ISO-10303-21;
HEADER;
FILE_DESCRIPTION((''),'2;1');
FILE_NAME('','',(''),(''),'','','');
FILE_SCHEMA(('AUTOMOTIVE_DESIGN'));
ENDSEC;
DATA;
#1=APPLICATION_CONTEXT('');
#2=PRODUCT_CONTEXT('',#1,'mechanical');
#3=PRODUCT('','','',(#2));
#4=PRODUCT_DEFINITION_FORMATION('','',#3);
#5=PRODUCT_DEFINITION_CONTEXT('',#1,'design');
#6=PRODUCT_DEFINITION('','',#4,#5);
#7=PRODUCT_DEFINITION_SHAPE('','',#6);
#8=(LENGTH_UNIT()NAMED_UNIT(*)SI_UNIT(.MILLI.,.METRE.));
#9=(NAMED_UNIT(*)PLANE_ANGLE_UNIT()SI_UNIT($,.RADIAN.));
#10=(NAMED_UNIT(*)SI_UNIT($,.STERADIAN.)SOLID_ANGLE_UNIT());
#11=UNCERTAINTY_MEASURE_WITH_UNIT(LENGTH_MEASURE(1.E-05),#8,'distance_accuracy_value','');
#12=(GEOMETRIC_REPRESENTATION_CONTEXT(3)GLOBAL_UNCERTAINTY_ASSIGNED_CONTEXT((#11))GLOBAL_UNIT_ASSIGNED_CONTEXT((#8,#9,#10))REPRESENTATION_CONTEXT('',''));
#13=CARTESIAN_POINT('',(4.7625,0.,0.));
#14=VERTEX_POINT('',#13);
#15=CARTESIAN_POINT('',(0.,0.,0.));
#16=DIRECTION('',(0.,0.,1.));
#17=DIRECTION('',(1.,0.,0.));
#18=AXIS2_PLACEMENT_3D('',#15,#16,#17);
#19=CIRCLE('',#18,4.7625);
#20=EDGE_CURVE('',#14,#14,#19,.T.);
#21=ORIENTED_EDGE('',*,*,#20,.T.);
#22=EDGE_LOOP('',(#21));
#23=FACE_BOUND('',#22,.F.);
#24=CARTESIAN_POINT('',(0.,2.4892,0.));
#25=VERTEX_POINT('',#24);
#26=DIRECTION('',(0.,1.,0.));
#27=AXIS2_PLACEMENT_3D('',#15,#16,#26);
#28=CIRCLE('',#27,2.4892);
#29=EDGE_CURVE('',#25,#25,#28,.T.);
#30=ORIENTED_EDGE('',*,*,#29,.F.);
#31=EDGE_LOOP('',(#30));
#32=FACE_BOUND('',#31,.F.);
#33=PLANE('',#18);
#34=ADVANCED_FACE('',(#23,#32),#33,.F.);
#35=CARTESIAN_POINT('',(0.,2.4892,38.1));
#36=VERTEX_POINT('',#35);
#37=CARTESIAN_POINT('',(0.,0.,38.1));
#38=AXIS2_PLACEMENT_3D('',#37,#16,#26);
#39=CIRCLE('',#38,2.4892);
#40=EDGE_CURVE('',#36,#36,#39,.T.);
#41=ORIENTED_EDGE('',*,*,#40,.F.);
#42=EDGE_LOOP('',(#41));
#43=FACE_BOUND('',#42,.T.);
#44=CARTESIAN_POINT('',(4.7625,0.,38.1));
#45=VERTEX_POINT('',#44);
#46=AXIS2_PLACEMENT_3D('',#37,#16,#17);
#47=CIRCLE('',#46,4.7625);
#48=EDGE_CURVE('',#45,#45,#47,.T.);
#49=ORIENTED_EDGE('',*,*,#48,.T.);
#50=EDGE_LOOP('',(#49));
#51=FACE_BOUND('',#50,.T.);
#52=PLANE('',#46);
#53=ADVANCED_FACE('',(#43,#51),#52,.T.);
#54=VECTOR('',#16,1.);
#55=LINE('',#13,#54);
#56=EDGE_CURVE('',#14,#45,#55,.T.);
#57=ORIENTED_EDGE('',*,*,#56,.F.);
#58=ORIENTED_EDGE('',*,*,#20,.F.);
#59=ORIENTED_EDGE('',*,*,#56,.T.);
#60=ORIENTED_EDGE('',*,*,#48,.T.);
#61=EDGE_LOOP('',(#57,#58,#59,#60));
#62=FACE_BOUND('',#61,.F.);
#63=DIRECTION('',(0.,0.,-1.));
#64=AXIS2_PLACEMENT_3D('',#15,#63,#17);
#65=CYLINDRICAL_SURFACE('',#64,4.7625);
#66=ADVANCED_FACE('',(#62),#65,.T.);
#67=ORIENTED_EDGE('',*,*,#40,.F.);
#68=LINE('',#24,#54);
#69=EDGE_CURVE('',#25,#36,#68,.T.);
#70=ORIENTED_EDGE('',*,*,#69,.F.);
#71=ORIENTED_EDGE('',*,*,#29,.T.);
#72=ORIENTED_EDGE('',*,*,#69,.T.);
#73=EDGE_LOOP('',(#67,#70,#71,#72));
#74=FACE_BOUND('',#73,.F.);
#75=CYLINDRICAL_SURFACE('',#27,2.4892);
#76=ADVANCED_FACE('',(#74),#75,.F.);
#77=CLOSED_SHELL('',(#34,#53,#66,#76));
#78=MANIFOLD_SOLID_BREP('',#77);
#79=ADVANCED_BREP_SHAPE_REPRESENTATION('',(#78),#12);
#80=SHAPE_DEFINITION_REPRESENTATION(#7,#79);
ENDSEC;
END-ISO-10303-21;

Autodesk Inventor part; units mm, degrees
ref_plane "YZ Plane" through (0, 0, 0) normal (1, 0, 0) x (0, 1, 0)
ref_plane "XZ Plane" through (0, 0, 0) normal (0, 1, 0) x (-1, 0, 0)
ref_plane "XY Plane" through (0, 0, 0) normal (0, 0, 1) x (1, 0, 0)
sketch "Sketch1" plane through (0, 0, 0) normal (0, 0, 1) x (1, 0, 0)
  circle A0 centre (0, 0) radius 4.7625
  dimension "d0" = 9.525
extrude "Extrusion1" add sketch "Sketch1" along normal blind 38.1
hole "Hole1" at (0, 0, 0) direction (0, 0, 1) diameter 4.9784 end through all clearance for "Socket Head Cap Screw" size "#10" standard "Ansi Unified Screw Threads"
properties part number "Module Standoff - Main"
